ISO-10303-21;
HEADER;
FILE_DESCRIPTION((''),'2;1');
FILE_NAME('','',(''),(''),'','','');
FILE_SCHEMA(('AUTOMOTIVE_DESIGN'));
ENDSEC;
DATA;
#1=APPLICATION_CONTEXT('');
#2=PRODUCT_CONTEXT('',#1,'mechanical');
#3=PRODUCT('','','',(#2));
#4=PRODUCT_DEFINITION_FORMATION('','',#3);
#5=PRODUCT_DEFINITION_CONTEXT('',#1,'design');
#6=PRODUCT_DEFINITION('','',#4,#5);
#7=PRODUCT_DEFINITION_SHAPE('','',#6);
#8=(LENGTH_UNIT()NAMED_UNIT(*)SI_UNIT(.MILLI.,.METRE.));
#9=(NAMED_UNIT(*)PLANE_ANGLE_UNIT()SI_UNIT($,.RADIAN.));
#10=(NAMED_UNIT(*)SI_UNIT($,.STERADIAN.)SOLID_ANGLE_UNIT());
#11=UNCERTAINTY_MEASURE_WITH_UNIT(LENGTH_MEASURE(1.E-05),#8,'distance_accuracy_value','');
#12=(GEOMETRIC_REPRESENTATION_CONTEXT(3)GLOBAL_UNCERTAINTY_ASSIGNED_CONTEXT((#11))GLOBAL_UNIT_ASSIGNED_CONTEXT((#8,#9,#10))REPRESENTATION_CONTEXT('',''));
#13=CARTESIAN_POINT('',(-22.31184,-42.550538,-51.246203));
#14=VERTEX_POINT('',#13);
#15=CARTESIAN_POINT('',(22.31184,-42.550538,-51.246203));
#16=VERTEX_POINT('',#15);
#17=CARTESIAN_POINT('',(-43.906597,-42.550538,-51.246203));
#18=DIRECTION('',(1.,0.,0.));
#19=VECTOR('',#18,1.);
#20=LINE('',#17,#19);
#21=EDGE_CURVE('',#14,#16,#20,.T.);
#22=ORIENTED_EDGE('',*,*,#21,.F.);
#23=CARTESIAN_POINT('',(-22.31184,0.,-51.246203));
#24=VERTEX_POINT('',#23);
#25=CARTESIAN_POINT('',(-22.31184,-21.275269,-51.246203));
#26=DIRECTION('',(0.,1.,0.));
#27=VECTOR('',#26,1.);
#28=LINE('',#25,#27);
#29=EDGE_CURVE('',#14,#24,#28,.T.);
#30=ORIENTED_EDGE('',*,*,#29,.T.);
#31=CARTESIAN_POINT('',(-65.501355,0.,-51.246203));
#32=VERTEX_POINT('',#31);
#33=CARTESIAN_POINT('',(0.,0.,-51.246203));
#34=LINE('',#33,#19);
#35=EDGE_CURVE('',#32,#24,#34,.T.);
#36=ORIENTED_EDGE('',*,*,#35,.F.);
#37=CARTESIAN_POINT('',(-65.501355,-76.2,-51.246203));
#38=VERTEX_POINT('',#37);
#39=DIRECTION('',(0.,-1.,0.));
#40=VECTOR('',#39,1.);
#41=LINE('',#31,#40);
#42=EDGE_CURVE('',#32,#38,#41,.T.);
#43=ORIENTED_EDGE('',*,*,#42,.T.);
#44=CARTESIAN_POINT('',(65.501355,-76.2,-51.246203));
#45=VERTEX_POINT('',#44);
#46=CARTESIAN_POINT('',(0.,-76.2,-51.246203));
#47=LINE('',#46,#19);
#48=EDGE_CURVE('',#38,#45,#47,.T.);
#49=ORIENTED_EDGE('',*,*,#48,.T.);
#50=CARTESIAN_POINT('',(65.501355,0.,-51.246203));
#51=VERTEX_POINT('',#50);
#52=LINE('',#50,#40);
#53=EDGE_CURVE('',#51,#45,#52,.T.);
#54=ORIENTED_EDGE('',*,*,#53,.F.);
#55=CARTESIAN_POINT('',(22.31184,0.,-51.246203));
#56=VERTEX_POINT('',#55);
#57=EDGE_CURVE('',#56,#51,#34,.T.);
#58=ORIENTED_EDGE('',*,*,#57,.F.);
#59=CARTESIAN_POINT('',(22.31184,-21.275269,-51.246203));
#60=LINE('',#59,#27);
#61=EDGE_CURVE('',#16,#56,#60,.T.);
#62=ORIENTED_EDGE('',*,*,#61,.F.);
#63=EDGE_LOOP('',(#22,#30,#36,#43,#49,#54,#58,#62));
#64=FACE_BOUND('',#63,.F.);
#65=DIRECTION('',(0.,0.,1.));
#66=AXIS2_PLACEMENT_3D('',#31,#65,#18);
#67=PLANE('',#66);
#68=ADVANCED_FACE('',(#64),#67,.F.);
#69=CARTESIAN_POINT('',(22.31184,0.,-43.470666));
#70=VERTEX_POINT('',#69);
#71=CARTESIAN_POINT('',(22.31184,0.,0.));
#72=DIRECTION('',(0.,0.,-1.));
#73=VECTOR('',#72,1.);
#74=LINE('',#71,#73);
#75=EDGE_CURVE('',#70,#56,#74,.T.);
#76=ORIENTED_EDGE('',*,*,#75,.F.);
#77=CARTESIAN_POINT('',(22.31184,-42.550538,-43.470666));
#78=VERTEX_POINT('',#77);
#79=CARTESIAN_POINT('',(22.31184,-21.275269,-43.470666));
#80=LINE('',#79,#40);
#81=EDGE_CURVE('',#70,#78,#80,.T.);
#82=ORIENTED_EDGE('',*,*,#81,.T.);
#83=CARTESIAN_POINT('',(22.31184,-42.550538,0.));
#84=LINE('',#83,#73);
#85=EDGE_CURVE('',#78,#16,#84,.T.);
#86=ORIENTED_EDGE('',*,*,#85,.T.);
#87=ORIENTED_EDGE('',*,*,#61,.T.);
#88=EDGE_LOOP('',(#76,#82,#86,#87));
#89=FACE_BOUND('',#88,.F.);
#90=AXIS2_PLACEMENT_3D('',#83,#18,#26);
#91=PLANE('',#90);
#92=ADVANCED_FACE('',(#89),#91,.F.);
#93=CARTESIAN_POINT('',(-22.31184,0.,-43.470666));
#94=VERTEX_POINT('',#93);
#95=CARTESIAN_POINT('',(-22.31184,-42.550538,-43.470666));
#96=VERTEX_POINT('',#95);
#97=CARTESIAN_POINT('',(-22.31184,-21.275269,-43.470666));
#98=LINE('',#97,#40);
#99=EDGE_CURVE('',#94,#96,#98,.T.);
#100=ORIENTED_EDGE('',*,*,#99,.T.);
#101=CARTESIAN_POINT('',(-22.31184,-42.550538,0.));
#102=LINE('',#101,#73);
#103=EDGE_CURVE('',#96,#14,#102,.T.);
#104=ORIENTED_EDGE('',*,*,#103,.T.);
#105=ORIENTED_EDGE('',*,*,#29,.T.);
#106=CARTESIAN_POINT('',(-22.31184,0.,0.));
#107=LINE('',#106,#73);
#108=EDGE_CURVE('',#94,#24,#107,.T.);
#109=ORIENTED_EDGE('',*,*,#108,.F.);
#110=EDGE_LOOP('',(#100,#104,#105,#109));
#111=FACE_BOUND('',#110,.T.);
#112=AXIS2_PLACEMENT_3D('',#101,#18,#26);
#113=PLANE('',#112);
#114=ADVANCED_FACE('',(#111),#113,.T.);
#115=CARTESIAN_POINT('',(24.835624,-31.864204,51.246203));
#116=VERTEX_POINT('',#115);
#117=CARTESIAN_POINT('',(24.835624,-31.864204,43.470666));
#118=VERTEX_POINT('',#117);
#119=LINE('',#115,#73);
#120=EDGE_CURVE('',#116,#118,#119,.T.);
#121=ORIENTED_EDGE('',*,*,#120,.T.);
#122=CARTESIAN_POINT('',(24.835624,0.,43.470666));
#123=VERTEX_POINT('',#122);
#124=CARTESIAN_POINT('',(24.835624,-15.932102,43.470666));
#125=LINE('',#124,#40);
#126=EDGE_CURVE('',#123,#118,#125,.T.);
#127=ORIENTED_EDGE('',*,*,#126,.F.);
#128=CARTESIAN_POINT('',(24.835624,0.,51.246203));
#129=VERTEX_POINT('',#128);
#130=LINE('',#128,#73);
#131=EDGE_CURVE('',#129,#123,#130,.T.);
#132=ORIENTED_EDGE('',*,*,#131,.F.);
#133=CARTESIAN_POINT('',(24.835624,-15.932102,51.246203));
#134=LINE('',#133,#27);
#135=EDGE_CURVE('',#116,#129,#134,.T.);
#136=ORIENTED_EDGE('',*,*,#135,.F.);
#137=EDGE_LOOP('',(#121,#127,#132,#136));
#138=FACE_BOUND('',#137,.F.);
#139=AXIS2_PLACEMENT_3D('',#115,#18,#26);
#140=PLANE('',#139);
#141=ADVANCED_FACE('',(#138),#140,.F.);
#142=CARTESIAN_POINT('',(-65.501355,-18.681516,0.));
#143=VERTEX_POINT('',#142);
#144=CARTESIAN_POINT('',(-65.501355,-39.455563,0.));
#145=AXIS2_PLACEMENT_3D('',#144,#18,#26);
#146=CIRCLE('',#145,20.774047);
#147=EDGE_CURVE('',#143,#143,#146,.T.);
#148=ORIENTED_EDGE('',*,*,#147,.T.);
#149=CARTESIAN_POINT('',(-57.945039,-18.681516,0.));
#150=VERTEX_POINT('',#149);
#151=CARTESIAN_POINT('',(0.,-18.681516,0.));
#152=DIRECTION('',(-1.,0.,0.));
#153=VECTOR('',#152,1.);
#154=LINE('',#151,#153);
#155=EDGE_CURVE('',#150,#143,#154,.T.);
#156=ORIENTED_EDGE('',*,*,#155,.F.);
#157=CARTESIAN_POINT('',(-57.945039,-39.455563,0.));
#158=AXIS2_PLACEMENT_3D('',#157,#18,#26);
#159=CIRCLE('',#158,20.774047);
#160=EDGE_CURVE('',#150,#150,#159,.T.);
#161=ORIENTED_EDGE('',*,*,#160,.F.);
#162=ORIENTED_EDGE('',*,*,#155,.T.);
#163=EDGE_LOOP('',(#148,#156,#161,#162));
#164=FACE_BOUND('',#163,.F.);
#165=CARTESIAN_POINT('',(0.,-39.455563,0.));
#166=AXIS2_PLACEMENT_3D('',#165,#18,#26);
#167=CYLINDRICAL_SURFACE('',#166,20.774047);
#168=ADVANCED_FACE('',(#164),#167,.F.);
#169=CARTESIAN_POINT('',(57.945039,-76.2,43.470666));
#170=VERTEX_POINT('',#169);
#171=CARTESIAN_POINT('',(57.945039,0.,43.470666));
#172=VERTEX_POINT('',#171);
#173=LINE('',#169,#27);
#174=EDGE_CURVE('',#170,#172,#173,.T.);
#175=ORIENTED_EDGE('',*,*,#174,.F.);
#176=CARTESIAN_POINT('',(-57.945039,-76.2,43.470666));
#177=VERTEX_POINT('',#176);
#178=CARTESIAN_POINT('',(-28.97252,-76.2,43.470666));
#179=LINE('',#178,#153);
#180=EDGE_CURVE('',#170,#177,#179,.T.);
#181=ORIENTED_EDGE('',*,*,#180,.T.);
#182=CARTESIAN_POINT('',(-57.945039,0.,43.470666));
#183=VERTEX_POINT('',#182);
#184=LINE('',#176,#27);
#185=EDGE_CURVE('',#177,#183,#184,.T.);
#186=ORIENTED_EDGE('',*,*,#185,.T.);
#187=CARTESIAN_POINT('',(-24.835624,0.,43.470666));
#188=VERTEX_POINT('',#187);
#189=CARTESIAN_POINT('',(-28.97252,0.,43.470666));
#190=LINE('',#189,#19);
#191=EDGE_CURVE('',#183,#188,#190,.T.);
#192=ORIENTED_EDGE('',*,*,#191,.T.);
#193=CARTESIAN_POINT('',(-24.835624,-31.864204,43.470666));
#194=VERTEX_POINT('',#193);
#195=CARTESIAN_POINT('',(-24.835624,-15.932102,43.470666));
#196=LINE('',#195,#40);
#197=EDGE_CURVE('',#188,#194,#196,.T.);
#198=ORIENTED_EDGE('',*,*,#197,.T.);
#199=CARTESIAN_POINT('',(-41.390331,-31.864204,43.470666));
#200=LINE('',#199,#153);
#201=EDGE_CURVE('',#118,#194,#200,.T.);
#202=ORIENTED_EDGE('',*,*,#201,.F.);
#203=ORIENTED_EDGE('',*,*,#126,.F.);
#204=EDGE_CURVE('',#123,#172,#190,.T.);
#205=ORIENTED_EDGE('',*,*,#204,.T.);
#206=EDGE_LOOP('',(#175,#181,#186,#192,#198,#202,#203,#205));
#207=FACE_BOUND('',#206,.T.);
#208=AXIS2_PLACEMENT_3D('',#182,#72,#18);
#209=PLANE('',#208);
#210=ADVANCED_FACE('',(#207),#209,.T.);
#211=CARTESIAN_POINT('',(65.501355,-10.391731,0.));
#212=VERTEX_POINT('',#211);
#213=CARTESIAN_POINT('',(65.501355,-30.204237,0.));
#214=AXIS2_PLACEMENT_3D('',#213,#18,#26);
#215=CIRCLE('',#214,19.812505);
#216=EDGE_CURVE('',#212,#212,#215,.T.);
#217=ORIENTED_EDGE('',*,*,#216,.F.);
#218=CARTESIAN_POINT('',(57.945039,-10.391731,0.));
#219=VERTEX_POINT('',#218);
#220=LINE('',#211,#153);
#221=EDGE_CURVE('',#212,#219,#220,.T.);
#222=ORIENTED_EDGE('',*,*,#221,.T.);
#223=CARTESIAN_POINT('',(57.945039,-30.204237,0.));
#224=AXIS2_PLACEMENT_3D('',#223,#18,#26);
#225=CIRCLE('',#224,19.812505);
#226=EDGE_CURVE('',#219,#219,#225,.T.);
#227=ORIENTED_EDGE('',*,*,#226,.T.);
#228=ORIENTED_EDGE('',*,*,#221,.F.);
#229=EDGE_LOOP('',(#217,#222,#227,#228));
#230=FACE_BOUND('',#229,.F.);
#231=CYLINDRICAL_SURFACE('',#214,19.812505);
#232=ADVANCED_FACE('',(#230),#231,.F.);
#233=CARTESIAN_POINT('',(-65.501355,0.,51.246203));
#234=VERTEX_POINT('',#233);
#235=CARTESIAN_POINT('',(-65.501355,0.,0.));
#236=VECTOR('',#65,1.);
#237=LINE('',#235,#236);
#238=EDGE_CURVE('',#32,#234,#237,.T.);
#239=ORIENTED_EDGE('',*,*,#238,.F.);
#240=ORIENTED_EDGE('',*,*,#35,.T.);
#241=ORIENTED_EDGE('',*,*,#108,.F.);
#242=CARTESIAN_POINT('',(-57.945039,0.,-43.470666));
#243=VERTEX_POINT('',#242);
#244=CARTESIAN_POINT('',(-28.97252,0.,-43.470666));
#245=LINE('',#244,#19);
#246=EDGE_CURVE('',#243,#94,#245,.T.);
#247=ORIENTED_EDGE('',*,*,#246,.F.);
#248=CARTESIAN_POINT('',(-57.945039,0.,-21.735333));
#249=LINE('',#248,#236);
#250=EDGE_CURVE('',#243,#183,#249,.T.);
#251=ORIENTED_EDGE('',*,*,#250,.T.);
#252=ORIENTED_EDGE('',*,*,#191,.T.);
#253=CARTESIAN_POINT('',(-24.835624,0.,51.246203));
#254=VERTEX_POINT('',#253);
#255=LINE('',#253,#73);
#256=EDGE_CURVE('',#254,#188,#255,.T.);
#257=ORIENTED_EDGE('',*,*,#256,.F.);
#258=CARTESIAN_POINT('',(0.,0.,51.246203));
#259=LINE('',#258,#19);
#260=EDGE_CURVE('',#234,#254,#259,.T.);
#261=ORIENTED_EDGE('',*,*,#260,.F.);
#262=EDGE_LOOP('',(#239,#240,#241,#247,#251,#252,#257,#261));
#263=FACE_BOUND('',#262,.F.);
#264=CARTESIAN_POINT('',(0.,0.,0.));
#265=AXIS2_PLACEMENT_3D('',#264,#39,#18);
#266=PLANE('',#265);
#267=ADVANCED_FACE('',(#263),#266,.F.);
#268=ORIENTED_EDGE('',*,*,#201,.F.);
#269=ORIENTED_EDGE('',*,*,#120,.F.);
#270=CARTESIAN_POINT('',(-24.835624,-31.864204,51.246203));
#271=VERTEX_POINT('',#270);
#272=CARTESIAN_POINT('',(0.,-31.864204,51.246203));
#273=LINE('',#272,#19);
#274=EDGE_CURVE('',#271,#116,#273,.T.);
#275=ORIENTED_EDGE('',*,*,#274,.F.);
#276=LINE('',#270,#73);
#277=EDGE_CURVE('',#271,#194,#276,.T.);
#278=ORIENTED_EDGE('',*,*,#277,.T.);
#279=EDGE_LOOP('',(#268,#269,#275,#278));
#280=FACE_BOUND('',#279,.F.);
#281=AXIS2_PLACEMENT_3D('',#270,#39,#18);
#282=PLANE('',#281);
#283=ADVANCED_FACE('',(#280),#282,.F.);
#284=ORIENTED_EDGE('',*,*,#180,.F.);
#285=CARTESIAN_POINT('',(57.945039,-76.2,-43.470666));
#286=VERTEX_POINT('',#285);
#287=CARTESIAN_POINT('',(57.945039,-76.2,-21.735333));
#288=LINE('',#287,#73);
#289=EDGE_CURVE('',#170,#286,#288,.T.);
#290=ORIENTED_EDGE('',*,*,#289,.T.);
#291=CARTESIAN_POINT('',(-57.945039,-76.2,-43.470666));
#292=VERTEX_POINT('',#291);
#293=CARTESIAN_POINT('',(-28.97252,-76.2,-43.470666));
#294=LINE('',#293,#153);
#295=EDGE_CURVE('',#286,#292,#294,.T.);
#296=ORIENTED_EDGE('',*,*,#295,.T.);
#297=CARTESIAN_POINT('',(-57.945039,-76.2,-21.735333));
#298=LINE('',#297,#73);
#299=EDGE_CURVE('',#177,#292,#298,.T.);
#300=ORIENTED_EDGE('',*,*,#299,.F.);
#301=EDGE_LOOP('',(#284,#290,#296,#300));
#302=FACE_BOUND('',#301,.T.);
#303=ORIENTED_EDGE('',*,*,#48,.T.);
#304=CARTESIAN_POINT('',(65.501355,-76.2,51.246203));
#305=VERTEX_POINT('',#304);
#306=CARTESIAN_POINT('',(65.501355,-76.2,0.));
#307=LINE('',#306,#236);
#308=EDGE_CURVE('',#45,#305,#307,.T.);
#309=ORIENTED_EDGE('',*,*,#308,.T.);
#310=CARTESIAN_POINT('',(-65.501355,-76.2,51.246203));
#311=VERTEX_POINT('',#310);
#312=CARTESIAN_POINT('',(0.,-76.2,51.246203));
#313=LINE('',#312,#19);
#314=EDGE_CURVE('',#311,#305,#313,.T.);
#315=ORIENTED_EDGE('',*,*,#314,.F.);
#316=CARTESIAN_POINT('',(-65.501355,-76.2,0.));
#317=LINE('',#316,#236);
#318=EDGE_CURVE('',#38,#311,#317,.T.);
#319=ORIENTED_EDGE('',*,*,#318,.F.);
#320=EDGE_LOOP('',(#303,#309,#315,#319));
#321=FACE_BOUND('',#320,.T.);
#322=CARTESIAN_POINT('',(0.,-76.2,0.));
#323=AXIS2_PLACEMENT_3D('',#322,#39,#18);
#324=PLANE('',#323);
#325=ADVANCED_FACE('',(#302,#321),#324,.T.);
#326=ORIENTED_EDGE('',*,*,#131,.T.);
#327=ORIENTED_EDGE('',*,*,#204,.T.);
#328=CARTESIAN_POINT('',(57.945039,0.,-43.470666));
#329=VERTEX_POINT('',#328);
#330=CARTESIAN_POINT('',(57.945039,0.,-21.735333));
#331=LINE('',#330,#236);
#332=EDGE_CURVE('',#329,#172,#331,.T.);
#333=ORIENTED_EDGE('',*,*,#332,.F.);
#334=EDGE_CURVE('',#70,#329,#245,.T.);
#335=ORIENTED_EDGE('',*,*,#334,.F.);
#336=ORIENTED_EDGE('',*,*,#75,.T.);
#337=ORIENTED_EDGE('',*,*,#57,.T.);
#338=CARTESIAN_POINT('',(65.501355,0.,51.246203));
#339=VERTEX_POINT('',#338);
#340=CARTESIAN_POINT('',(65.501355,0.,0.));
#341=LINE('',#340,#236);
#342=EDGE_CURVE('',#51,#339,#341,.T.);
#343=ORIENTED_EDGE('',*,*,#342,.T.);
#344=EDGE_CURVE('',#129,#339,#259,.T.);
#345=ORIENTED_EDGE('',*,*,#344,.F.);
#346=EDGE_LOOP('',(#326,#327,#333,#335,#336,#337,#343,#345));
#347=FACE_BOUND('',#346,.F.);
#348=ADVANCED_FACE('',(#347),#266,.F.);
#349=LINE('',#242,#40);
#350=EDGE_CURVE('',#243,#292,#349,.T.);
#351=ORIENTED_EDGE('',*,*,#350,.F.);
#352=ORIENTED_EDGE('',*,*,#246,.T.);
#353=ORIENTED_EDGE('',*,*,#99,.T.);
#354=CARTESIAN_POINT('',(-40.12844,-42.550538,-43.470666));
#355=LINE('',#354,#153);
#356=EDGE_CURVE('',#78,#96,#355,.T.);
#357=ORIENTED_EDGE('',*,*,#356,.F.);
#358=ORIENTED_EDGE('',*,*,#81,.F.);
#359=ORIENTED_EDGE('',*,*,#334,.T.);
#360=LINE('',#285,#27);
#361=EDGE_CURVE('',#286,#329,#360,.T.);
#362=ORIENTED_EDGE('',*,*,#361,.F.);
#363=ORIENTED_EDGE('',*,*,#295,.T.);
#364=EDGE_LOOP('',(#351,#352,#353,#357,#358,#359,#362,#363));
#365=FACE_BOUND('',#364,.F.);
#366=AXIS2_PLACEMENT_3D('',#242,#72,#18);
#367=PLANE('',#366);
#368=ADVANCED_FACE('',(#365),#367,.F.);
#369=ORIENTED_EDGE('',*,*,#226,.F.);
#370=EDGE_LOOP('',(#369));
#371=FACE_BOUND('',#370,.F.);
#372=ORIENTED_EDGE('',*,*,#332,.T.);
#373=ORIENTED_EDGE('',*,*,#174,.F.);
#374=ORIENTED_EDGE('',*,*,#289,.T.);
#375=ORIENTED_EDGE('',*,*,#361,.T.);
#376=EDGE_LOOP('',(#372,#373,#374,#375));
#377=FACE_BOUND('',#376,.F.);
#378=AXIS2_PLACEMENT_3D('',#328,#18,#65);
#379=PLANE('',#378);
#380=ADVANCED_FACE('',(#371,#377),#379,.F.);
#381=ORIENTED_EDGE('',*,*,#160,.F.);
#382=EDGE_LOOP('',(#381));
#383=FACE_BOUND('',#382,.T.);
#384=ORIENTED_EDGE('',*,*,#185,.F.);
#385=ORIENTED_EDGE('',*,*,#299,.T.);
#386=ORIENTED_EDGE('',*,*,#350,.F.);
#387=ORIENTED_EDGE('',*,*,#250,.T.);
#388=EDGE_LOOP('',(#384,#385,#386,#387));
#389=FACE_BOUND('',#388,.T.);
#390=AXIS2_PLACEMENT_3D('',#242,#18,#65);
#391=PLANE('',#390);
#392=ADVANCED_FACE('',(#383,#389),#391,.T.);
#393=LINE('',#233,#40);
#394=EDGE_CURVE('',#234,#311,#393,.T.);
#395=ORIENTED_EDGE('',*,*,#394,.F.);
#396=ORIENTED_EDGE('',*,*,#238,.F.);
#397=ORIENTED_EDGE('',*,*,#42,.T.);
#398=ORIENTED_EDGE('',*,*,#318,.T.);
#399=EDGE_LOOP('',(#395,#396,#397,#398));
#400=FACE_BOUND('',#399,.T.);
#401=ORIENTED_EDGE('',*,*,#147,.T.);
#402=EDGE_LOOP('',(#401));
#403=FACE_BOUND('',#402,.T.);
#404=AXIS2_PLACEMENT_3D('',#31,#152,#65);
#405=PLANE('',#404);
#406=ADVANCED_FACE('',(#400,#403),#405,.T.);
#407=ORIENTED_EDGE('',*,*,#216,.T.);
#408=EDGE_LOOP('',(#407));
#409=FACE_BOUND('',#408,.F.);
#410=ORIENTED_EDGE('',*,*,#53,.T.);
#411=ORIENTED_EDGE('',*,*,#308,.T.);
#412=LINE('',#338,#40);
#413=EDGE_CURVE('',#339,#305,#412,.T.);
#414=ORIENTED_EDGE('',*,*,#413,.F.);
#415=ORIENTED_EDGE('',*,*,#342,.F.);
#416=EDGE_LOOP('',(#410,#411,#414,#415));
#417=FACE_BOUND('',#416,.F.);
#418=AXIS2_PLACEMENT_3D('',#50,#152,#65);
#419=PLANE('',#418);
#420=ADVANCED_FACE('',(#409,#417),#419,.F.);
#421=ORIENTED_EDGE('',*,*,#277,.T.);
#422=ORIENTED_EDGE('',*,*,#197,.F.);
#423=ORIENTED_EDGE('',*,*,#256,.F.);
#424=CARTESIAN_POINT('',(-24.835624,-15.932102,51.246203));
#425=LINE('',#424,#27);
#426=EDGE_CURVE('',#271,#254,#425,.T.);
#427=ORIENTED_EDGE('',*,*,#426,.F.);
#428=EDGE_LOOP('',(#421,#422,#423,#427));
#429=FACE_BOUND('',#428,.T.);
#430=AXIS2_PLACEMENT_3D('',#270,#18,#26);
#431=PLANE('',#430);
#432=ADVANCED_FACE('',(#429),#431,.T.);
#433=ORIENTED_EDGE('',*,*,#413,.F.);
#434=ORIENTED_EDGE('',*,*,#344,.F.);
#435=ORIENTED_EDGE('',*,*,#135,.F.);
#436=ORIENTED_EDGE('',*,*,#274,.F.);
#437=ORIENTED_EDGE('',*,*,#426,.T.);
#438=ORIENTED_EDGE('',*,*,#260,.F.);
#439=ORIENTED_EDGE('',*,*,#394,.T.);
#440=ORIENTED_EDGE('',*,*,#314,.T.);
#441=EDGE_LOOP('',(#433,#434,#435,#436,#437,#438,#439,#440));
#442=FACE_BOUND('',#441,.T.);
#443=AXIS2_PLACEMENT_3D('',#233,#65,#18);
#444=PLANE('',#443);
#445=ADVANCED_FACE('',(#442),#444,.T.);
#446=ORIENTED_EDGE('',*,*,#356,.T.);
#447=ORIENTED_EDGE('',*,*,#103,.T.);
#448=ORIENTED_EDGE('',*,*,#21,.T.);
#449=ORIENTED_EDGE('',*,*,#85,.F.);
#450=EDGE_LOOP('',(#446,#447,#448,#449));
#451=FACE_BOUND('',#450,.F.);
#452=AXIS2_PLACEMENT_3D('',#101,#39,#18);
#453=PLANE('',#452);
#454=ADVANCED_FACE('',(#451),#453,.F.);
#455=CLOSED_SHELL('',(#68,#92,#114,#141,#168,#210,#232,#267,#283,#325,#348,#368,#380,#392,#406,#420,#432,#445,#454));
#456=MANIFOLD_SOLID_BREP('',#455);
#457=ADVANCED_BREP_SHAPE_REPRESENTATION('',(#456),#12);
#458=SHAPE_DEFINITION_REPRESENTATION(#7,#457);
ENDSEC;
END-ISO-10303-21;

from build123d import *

# Parameters (mm, degrees)
F0_W      = 131.0027092695
F0_H      = 102.4924069643
F1_DEPTH  = 76.2
F2_W      = 115.8900782466
F2_H      = 86.941331625
F3_DEPTH  = 38.1
F4_DEPTH  = 25.4
F5_DEPTH  = 76.2
F6_W      = 44.6236804128
F6_H      = 42.5505377352
F7_DEPTH  = 76.2
F8_W      = 49.6712476015
F8_H      = 31.8642035127
F9_DEPTH  = 76.2
F10_R     = 20.7740472605
F11_DEPTH = 76.2
F12_R     = 19.8125054643
F13_DEPTH = 25.4


with BuildPart() as f1:
    # F0 (on Front) → F1 (new body)
    with BuildSketch(Plane.XZ):
        Rectangle(F0_W, F0_H)
    extrude(amount=F1_DEPTH)

    # F2 (on Front) → F3 (cut, symmetric)
    with BuildSketch(Plane.XZ):
        Rectangle(F2_W, F2_H)
    extrude(amount=F3_DEPTH, both=True, mode=Mode.SUBTRACT)

    # F4 (cut): a face of the model
    f4_faces = [f1.faces().sort_by_distance(p)[0] for p in [
        (0, -38.1, 0),
    ]]
    extrude(f4_faces, amount=-F4_DEPTH, mode=Mode.SUBTRACT)

    # F5 (cut): a face of the model
    f5_faces = [f1.faces().sort_by_distance(p)[0] for p in [
        (0, -63.5, 0),
    ]]
    extrude(f5_faces, amount=-F5_DEPTH, mode=Mode.SUBTRACT)

    # F6 (on Top) → F7 (cut)
    with BuildSketch(Plane.XY):
        with Locations((0, -21.2752688676)):
            Rectangle(F6_W, F6_H)
    extrude(amount=-F7_DEPTH, mode=Mode.SUBTRACT)

    # F8 (on face) → F9 (cut)
    with BuildSketch(Plane.XY.offset(51.2462034822)):
        with Locations((0, -15.9321017563)):
            Rectangle(F8_W, F8_H)
    extrude(amount=-F9_DEPTH, mode=Mode.SUBTRACT)

    # F10 (on Right) → F11 (cut)
    with BuildSketch(Plane.YZ):
        with Locations((-39.45556283, 0)):
            Circle(F10_R)
    extrude(amount=-F11_DEPTH, mode=Mode.SUBTRACT)

    # F12 (on face) → F13 (cut)
    with BuildSketch(Plane.YZ.offset(65.5013546348)):
        with Locations((-30.2042365074, 0)):
            Circle(F12_R)
    extrude(amount=-F13_DEPTH, mode=Mode.SUBTRACT)


solid = f1.part
